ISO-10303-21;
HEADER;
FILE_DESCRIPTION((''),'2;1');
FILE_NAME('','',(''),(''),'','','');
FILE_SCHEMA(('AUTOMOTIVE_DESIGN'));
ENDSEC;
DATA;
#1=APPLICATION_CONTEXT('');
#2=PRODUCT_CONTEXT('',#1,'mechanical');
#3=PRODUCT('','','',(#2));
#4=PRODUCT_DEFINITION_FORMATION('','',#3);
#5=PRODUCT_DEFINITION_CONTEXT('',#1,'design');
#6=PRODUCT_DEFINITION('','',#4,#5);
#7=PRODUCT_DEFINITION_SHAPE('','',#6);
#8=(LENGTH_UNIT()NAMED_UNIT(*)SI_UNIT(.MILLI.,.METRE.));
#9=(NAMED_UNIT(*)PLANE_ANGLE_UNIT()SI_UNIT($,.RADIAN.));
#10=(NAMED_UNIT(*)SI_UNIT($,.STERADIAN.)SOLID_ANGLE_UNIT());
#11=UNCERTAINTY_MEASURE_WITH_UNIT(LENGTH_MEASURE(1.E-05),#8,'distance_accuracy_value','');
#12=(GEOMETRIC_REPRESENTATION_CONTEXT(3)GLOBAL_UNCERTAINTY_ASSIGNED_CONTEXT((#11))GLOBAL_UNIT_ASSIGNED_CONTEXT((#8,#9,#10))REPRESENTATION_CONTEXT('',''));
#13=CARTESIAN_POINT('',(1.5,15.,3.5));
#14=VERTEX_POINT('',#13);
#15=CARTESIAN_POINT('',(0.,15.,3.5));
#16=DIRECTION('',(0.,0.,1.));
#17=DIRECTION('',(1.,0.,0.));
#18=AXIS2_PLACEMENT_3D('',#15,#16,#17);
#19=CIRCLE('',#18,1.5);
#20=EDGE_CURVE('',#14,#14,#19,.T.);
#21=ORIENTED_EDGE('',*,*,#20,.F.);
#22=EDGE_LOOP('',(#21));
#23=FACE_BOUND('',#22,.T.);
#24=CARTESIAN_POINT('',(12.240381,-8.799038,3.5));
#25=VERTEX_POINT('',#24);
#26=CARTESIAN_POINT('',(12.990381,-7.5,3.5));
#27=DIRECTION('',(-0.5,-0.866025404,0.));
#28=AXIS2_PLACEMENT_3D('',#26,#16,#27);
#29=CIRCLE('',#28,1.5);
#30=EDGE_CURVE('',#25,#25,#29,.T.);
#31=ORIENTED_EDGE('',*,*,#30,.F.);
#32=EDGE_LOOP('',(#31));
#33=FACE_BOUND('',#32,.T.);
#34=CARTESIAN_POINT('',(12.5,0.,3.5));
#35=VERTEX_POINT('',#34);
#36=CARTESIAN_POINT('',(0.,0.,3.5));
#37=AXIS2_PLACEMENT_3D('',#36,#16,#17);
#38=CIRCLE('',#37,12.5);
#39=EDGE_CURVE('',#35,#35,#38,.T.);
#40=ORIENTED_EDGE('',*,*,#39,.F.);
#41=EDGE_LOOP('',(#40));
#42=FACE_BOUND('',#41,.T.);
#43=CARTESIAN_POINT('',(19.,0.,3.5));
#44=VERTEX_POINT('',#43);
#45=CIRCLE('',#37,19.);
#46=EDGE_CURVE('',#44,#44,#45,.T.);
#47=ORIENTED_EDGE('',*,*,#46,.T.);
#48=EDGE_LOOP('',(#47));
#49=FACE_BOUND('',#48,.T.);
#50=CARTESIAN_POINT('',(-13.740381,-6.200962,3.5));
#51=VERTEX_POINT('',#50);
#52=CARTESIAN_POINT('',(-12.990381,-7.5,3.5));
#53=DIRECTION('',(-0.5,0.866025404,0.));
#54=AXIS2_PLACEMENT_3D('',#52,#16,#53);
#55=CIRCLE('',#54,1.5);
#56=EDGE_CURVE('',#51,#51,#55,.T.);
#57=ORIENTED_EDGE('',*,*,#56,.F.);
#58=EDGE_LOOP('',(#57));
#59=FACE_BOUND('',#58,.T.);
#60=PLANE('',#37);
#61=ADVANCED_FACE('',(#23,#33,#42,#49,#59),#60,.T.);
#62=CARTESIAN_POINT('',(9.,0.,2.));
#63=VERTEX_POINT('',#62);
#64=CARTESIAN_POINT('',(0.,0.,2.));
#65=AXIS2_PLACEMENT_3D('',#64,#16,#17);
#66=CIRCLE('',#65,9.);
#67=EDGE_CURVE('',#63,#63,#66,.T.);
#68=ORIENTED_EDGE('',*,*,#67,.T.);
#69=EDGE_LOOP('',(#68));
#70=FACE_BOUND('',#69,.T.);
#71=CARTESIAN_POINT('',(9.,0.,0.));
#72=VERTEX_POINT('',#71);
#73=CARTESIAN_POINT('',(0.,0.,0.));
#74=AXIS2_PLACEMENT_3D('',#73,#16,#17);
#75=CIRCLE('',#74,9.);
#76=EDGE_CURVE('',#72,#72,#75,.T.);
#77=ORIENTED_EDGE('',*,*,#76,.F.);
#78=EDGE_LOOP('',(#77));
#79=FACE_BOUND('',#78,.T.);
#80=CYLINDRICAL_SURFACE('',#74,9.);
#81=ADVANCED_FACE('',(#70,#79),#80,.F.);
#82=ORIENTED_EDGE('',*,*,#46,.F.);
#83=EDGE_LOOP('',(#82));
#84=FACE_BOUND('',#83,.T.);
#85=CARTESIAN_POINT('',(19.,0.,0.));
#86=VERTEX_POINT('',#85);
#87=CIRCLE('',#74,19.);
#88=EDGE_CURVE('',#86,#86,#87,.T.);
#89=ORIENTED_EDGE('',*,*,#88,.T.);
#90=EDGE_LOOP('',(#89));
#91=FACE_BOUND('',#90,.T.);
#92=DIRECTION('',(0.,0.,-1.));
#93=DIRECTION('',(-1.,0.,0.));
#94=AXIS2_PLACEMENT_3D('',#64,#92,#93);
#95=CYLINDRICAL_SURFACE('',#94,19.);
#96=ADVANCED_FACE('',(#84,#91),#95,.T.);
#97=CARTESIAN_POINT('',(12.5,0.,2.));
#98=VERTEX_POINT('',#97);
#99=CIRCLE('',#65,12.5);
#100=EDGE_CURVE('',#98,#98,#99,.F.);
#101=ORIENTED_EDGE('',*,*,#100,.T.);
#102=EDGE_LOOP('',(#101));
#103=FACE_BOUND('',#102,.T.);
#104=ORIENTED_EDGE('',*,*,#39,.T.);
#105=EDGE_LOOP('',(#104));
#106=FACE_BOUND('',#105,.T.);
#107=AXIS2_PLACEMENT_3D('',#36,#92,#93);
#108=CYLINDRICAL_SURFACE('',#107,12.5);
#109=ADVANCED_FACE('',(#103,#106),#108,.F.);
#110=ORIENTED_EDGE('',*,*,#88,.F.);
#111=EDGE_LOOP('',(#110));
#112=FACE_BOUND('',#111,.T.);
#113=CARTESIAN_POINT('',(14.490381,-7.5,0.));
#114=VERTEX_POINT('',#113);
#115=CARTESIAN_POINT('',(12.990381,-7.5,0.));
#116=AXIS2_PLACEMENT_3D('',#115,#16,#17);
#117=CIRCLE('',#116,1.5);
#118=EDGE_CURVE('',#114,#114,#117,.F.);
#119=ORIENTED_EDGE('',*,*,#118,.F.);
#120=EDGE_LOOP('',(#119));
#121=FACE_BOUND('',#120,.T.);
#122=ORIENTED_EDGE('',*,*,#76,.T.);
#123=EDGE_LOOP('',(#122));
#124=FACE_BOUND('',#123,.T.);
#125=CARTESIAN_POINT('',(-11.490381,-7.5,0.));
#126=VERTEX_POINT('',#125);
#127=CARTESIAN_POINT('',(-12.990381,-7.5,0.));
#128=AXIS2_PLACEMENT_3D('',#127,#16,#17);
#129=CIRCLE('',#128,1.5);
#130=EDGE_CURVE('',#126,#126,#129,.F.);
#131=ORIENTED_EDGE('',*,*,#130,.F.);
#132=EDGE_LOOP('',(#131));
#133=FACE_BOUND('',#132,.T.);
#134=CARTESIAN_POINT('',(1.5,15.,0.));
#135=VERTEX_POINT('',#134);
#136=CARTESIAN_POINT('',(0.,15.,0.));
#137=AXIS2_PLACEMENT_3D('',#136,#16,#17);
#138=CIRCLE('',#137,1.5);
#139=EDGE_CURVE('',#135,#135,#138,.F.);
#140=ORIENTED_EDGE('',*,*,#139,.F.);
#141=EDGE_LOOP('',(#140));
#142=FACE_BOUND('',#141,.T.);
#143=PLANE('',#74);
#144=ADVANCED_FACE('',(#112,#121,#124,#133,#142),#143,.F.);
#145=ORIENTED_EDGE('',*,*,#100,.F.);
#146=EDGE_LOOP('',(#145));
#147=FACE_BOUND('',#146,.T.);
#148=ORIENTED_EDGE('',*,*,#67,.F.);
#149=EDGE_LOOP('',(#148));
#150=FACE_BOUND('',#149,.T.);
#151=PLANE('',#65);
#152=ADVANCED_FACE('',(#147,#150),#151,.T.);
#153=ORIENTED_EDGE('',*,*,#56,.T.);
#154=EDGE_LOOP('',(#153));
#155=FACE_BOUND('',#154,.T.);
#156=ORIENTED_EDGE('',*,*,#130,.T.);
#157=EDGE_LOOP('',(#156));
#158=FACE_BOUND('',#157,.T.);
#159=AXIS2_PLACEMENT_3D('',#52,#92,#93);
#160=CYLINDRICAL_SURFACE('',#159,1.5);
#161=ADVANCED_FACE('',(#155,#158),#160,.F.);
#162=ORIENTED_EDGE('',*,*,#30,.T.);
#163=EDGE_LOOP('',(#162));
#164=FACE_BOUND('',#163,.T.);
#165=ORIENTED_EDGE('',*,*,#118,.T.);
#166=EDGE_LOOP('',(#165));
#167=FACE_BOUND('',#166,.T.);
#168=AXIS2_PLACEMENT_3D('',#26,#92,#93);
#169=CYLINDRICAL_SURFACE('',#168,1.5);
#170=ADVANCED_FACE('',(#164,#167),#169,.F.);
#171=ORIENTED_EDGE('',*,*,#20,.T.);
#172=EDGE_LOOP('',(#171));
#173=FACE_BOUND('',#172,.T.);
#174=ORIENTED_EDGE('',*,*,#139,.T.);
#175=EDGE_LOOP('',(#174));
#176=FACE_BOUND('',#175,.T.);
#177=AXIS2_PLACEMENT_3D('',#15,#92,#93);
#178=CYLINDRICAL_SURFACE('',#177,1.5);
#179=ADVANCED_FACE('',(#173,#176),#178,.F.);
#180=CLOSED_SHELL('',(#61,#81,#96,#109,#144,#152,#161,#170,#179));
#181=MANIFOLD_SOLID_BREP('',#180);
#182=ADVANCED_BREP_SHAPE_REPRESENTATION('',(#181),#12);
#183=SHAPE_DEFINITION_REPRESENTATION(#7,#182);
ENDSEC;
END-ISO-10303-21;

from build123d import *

# Parameters (mm, degrees)
SKETCH1_R               = 19
BOSS_EXTRUDE1_DEPTH     = 2
SKETCH2_R               = 19
SKETCH2_R_2             = 12.5
BOSS_EXTRUDE2_DEPTH     = 1.5
CUT_EXTRUDE1_DEPTH      = 27.944387171
CUT_EXTRUDE1_DEPTH_BACK = 27.944387171
SKETCH3_R               = 9
SKETCH4_R               = 1.5
CUT_EXTRUDE2_DEPTH      = 28.09704781
CIRPATTERN1_COUNT       = 3


with BuildPart() as part:
    # Sketch1 → Boss-Extrude1 (new body)
    with BuildSketch(Plane.XY):
        Circle(SKETCH1_R)
    extrude(amount=BOSS_EXTRUDE1_DEPTH)

    # Sketch2 → Boss-Extrude2 (add)
    with BuildSketch(Plane.XY.offset(2)):
        Circle(SKETCH2_R)
        Circle(SKETCH2_R_2, mode=Mode.SUBTRACT)
    extrude(amount=BOSS_EXTRUDE2_DEPTH)

    # Sketch3 → Cut-Extrude1 (cut, two sides: drawn at the far end of the back side and taken through both)
    with BuildSketch(Plane.XY.offset(2).offset(-CUT_EXTRUDE1_DEPTH_BACK)):
        Circle(SKETCH3_R)
    extrude(amount=CUT_EXTRUDE1_DEPTH + CUT_EXTRUDE1_DEPTH_BACK, mode=Mode.SUBTRACT)

    # Sketch4 → Cut-Extrude2 (cut, symmetric)
    with BuildSketch(Plane.XY):
        with Locations((0, 15)):
            Circle(SKETCH4_R)
    cut_extrude2 = extrude(amount=CUT_EXTRUDE2_DEPTH, both=True, mode=Mode.SUBTRACT)

    # CirPattern1: Cut-Extrude2 ×3 about axis
    cirpattern1_axis = Axis((0, 0, 0), (0, 0, 1))
    for i in range(1, CIRPATTERN1_COUNT):
        add(cut_extrude2.rotate(cirpattern1_axis, i * 360 / CIRPATTERN1_COUNT), mode=Mode.SUBTRACT)


solid = part.part
